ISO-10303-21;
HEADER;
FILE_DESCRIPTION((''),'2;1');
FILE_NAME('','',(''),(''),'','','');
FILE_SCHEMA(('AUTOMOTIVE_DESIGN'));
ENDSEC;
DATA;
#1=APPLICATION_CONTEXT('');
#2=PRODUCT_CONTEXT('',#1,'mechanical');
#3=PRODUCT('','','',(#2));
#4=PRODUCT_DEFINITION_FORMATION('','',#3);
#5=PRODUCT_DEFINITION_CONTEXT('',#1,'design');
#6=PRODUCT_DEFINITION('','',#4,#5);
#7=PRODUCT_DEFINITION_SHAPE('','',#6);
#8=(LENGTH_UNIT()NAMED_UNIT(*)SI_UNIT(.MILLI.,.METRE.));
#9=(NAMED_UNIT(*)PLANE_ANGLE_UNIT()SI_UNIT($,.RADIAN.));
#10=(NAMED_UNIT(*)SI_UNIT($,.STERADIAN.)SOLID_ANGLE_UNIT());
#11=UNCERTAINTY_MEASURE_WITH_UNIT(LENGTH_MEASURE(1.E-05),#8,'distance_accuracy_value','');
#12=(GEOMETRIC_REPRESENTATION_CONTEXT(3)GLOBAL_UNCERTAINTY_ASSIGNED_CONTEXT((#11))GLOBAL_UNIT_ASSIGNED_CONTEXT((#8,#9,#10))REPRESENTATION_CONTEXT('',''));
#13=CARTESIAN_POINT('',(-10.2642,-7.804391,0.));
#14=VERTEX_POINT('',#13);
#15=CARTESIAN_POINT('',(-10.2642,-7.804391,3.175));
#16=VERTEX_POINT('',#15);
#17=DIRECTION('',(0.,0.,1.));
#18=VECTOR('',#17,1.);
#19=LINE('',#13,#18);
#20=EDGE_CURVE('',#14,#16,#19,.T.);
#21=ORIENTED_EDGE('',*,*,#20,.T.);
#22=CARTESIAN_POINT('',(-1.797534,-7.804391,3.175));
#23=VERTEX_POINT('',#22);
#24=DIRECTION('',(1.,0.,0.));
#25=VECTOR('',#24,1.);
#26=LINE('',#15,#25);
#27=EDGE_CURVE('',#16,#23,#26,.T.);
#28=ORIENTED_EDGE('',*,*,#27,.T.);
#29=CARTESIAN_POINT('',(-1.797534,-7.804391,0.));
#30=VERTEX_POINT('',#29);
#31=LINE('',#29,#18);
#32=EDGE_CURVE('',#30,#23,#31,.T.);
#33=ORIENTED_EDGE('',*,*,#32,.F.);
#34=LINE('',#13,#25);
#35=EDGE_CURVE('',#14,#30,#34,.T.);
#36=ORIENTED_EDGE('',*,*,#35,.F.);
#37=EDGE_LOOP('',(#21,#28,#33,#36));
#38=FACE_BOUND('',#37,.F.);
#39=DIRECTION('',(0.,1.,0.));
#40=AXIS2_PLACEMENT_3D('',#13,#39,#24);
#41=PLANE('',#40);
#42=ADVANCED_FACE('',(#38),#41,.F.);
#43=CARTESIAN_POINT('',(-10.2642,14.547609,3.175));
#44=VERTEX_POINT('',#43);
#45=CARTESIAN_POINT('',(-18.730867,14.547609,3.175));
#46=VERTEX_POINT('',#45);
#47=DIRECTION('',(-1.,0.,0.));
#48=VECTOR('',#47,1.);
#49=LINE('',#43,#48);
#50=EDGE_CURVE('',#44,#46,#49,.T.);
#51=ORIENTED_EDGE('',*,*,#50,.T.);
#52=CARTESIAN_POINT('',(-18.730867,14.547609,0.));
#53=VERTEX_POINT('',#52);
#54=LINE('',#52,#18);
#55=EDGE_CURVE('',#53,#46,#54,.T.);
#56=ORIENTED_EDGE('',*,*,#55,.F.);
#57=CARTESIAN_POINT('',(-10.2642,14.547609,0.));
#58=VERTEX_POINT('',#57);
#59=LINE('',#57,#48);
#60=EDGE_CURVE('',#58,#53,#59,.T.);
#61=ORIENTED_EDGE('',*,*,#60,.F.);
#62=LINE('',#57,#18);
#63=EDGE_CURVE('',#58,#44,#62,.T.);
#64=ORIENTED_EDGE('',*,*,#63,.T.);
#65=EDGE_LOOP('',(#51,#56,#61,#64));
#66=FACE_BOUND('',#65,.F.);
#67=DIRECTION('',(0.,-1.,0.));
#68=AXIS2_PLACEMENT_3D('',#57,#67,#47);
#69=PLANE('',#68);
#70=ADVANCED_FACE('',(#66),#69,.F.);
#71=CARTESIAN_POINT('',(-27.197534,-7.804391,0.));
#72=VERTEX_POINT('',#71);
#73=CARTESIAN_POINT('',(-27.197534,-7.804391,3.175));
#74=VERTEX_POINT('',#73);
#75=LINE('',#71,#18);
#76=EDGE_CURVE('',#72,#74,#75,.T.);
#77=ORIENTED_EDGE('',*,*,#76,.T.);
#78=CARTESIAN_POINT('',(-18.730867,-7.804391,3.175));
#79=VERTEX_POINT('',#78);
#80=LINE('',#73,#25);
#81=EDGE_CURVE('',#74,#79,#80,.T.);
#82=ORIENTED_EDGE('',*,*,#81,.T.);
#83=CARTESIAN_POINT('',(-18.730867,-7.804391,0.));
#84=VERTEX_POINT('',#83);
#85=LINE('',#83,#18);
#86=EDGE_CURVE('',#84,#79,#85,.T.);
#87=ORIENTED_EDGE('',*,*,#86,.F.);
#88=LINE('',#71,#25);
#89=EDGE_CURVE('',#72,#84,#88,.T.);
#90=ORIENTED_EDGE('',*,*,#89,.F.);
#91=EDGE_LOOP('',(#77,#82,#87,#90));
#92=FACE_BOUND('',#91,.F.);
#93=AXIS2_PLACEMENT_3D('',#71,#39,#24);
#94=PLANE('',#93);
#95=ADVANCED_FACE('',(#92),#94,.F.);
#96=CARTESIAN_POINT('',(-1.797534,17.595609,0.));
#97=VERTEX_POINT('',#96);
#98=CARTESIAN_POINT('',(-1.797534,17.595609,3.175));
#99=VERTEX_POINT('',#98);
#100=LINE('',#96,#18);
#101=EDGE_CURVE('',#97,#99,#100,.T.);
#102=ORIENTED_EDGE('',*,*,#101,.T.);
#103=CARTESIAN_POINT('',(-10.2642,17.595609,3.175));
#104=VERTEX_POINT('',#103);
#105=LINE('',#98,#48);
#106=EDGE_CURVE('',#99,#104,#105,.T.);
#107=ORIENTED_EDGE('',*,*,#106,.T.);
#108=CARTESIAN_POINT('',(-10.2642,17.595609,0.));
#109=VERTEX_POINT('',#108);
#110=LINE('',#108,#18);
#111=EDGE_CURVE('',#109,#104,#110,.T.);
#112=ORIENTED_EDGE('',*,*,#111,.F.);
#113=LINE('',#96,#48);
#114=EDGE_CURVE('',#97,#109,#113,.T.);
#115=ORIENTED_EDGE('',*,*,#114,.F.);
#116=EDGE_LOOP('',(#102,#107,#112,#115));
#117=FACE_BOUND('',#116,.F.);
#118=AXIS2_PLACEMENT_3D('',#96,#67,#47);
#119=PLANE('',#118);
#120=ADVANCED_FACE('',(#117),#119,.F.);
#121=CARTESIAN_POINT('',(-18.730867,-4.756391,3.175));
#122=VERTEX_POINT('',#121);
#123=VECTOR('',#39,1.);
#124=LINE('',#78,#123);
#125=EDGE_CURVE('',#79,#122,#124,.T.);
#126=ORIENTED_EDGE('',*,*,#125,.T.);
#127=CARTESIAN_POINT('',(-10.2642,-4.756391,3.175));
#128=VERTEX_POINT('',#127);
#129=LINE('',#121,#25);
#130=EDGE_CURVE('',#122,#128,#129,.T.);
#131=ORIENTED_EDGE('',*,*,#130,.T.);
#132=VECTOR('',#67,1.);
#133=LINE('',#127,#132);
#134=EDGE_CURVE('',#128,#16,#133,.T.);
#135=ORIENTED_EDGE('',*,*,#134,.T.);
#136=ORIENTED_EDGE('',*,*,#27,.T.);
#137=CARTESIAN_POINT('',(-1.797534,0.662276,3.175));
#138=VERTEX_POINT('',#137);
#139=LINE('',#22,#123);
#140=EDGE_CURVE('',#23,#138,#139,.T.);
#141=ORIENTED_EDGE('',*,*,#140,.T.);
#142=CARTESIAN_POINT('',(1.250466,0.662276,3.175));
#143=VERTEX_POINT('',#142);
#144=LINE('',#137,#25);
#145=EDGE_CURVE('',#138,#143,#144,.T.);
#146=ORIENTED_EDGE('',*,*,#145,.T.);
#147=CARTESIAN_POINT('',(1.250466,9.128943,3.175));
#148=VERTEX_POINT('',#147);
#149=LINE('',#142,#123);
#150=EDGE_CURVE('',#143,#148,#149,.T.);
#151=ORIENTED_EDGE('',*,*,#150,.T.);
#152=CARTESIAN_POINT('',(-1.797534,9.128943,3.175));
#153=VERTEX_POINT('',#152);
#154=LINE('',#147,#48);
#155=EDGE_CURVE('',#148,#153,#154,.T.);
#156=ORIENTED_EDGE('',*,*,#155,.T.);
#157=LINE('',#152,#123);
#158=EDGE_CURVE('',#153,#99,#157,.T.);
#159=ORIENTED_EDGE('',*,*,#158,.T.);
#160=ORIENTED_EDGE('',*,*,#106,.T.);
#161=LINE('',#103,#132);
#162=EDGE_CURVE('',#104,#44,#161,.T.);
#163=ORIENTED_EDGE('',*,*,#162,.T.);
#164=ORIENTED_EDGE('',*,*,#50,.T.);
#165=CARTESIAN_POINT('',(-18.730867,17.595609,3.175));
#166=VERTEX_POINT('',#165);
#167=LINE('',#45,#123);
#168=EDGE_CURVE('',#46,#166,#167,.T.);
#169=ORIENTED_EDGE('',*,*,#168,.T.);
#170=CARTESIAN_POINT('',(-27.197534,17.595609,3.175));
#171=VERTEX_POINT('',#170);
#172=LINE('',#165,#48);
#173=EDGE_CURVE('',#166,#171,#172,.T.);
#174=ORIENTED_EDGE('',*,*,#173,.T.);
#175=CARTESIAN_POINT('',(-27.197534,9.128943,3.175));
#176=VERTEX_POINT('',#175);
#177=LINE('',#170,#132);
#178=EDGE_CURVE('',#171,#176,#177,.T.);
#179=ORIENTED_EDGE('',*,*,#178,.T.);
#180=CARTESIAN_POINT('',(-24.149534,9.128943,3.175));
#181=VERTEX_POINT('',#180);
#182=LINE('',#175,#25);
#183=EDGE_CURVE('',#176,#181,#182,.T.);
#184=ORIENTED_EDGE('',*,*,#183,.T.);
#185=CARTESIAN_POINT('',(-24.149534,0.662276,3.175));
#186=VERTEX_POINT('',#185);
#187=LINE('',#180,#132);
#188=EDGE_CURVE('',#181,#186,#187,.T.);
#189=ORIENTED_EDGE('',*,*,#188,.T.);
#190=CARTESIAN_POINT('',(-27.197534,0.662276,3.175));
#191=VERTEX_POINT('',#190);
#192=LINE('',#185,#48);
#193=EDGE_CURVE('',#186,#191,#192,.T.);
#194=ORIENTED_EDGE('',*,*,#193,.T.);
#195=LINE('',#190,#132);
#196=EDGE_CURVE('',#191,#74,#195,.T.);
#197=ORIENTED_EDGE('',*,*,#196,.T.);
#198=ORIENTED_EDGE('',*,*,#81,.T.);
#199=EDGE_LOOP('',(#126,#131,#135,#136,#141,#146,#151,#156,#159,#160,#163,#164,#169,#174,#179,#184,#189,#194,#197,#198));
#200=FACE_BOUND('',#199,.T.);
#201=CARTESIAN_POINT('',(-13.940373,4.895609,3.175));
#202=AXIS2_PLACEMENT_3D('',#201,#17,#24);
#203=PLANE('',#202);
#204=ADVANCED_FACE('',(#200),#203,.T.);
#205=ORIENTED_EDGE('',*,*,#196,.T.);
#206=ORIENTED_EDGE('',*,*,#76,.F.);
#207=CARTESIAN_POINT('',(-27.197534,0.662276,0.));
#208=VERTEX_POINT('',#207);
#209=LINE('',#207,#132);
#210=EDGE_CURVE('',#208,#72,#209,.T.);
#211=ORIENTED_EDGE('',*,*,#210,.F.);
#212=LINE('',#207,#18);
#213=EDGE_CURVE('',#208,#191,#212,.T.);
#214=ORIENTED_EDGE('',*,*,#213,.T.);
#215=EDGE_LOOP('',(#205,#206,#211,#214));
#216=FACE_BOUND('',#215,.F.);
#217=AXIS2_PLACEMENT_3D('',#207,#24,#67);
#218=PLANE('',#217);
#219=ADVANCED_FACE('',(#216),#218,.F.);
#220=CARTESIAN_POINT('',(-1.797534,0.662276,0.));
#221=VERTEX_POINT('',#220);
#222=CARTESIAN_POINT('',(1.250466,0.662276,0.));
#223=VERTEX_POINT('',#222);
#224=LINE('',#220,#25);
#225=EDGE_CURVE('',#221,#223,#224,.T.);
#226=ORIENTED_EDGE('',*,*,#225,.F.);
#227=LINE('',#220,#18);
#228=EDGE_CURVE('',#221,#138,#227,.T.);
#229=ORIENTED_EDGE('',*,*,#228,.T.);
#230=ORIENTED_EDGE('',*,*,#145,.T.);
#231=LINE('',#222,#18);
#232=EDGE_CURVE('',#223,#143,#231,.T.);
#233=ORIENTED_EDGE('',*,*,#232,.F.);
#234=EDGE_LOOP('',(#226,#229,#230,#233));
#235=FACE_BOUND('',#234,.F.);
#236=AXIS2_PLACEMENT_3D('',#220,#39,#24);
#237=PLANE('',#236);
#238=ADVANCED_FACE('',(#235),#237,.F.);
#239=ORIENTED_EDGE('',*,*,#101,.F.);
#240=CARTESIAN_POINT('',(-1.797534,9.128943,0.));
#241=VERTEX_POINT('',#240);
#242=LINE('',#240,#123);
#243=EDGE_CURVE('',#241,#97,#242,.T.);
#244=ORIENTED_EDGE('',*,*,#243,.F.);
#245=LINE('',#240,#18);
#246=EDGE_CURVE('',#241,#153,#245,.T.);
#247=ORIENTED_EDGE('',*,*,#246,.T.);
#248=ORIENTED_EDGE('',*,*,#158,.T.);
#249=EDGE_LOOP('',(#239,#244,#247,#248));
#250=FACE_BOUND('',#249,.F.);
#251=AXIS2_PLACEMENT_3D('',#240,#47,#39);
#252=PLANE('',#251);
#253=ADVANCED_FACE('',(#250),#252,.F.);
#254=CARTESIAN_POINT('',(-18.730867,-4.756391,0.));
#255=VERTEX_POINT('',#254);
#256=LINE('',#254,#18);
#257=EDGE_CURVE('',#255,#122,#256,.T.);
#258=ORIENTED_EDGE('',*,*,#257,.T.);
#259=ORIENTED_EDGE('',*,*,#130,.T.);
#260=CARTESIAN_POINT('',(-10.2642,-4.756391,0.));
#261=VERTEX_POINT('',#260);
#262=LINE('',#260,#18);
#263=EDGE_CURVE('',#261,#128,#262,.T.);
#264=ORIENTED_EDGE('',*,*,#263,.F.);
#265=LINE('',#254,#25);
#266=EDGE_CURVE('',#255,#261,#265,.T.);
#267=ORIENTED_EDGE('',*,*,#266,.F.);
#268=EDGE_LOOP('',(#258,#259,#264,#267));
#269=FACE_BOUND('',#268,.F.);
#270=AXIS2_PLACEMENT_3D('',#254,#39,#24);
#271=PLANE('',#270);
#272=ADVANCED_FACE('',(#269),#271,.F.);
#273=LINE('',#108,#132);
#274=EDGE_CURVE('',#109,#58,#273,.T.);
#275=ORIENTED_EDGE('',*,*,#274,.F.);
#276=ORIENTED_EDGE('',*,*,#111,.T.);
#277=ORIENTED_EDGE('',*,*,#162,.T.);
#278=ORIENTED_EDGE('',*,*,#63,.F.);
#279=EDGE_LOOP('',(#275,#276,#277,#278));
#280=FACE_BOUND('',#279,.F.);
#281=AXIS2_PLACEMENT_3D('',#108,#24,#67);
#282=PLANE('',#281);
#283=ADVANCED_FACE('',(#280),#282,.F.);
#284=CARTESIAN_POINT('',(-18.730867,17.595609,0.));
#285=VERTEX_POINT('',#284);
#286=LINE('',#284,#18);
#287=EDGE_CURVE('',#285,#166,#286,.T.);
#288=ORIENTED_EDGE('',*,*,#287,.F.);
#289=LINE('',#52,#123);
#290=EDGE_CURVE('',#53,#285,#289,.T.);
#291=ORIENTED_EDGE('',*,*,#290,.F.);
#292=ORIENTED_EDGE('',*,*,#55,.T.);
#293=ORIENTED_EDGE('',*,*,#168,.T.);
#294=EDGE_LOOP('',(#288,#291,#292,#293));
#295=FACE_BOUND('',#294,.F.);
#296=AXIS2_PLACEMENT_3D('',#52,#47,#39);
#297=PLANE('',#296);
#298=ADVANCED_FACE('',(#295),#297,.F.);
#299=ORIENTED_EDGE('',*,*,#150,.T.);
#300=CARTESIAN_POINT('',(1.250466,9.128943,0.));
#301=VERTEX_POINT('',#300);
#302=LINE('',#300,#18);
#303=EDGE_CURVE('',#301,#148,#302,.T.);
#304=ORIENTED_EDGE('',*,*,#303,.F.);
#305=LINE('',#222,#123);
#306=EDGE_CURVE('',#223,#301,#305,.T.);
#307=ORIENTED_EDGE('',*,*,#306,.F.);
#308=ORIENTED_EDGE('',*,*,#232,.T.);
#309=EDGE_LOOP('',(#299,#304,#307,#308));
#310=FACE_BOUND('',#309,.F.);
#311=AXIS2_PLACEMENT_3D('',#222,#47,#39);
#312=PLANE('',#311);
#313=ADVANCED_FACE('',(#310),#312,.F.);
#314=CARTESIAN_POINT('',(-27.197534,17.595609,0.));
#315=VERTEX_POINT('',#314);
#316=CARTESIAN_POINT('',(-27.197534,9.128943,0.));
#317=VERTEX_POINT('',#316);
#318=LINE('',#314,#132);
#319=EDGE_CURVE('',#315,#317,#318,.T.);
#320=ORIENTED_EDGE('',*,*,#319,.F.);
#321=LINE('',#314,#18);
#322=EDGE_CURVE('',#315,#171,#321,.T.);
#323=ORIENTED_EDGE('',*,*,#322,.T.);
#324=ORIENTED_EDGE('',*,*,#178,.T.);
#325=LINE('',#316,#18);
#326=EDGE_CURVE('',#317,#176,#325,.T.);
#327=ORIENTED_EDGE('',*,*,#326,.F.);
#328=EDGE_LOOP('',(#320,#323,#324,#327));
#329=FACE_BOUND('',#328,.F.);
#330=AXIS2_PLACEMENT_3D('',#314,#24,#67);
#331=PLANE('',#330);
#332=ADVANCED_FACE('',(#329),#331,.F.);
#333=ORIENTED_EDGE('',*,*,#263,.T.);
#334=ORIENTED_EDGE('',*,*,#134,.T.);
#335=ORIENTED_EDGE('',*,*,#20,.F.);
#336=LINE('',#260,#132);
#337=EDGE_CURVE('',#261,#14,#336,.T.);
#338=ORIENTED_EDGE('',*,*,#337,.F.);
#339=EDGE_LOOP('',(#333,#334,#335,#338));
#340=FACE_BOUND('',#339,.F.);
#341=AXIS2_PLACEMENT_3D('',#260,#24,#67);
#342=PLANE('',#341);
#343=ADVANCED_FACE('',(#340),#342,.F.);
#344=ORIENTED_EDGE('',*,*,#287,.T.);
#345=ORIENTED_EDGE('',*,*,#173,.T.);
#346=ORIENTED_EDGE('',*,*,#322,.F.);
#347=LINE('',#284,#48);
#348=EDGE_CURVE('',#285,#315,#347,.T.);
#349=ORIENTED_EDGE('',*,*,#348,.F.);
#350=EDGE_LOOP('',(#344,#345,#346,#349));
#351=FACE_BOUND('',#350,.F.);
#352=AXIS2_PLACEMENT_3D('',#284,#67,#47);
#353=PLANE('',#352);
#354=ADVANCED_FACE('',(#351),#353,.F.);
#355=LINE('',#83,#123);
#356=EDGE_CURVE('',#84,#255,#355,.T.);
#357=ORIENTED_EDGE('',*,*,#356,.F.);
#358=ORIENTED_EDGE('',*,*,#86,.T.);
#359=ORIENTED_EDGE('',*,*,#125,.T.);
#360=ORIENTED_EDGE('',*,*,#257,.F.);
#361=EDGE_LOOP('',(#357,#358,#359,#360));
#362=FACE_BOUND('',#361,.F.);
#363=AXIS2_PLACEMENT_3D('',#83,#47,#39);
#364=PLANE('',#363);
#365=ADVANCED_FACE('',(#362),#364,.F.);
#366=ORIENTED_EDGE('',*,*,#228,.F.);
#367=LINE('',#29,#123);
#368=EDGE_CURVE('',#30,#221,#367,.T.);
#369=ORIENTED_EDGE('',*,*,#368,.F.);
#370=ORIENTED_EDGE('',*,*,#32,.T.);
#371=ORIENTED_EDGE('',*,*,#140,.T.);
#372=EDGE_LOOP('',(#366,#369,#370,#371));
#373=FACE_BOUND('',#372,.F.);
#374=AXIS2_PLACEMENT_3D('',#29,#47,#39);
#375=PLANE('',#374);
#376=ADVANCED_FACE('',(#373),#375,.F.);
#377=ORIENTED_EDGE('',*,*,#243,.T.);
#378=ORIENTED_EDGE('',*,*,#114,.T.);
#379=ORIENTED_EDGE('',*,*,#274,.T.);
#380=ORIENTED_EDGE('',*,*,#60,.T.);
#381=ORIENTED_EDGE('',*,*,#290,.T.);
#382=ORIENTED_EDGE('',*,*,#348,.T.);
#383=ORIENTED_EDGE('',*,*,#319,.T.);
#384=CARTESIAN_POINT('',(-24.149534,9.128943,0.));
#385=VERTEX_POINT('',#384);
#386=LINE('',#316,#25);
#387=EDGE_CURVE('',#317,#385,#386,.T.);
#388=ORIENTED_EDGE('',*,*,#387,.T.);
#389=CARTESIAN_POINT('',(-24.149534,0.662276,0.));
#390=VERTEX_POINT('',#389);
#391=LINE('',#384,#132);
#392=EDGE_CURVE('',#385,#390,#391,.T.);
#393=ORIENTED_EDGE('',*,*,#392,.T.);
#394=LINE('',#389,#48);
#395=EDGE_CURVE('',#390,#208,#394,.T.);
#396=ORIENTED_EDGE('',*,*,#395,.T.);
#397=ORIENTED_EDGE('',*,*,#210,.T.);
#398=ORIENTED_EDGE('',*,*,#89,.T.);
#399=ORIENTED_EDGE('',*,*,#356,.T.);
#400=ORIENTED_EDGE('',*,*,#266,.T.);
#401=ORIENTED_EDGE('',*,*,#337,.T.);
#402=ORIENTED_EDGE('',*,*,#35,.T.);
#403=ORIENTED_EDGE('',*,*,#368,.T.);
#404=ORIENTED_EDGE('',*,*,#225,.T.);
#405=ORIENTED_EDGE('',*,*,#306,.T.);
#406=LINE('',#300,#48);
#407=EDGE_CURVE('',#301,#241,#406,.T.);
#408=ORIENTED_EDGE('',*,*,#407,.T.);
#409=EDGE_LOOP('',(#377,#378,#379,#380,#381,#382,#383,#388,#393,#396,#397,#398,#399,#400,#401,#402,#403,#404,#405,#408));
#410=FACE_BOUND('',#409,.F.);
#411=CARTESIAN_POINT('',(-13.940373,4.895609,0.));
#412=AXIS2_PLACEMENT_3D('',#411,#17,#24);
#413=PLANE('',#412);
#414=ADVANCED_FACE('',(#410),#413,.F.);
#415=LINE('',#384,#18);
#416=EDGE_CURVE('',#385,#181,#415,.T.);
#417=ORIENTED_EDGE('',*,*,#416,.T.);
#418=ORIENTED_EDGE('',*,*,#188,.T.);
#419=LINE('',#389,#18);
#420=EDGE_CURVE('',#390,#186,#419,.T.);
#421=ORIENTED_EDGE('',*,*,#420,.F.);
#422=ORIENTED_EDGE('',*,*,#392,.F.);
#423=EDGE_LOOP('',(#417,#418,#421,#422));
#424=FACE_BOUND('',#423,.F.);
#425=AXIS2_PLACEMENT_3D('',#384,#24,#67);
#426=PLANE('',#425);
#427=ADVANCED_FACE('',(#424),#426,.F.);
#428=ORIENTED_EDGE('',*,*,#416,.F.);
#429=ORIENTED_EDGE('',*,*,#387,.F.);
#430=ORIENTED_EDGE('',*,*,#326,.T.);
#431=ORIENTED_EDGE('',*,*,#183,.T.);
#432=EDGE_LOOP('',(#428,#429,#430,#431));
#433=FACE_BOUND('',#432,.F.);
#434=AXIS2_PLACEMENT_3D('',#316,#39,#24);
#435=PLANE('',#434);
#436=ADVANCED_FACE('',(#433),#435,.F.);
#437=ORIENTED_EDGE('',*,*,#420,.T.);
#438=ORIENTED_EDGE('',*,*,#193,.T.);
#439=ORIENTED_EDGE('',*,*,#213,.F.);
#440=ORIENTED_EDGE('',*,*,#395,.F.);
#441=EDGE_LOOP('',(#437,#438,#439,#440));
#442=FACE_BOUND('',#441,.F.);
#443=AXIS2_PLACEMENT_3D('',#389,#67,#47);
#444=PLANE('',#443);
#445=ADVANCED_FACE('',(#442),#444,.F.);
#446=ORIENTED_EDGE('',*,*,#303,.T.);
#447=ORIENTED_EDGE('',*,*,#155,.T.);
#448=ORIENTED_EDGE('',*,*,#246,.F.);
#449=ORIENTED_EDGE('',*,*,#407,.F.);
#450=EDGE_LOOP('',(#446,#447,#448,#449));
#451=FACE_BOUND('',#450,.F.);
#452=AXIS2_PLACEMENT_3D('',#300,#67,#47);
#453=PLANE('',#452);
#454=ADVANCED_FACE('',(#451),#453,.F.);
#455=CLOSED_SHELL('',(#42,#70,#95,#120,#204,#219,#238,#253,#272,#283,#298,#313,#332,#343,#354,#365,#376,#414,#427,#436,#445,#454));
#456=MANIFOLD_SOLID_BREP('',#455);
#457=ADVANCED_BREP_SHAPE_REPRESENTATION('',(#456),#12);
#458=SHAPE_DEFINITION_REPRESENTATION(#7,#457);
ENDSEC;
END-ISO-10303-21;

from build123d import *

# Parameters (mm, degrees)
F1_DEPTH = 3.175


with BuildPart() as f1:
    # F0 (on Top) → F1 (new body)
    with BuildSketch(Plane.XY):
        Polygon((-18.730867, 17.595609), (-27.197534, 17.595609), (-27.197534, 9.128943), (-24.149534, 9.128943), (-24.149534, 0.662276), (-27.197534, 0.662276), (-27.197534, -7.804391), (-18.730867, -7.804391), (-18.730867, -4.756391), (-10.2642, -4.756391), (-10.2642, -7.804391), (-1.797534, -7.804391), (-1.797534, 0.662276), (1.250466, 0.662276), (1.250466, 9.128943), (-1.797534, 9.128943), (-1.797534, 17.595609), (-10.2642, 17.595609), (-10.2642, 14.547609), (-18.730867, 14.547609), align=None)
    extrude(amount=F1_DEPTH)


solid = f1.part
